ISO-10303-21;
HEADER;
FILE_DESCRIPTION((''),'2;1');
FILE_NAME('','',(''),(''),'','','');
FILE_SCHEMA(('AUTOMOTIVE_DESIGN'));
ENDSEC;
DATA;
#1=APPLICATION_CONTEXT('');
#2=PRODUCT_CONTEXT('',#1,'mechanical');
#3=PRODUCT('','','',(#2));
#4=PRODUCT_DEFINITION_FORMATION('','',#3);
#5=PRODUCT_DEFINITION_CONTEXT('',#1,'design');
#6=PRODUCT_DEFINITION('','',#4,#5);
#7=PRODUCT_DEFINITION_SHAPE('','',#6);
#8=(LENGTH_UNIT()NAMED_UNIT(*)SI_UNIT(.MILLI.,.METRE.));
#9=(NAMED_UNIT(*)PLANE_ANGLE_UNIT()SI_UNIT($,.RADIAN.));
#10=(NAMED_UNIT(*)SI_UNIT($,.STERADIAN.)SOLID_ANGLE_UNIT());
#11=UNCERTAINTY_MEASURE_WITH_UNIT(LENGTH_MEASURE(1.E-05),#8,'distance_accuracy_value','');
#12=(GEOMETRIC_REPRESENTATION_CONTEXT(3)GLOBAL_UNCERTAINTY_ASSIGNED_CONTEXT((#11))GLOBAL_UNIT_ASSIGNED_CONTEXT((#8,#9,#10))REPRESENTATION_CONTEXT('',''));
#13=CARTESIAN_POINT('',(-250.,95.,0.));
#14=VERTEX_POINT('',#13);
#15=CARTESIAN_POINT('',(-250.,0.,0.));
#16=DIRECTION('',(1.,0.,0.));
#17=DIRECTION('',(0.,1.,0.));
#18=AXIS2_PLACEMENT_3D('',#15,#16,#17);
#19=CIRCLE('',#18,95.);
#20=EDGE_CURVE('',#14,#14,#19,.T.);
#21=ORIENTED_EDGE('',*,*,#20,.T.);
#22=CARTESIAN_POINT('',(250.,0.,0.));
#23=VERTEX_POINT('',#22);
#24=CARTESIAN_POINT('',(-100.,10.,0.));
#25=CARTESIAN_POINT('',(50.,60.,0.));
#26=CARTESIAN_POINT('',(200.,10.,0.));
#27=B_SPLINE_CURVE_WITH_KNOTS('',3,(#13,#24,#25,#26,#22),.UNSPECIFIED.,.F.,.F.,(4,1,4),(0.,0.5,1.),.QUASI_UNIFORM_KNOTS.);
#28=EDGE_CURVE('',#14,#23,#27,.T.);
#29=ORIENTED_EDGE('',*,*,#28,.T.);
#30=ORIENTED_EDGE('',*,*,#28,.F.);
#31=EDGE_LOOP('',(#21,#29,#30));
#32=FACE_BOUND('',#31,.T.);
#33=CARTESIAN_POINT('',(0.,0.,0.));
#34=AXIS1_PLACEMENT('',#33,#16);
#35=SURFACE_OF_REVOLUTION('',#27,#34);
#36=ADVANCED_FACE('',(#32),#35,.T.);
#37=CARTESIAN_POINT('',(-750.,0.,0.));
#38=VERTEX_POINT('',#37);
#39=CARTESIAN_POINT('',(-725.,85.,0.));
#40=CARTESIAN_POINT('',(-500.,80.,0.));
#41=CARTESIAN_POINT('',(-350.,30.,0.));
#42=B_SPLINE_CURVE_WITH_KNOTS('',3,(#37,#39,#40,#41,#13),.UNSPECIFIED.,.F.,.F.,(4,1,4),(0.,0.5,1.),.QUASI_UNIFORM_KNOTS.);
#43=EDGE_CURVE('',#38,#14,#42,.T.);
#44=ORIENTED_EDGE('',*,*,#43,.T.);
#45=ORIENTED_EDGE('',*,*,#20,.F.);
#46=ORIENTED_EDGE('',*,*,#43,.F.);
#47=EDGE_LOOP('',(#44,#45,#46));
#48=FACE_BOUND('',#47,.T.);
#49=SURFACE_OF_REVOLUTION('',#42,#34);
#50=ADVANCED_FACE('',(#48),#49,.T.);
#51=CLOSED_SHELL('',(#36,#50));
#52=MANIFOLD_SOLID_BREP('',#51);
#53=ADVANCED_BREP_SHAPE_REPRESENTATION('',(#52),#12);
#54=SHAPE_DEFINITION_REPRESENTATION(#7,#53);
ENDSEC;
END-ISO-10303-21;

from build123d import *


with BuildPart() as part:
    # Sketch → Revolution (revolve)
    with BuildSketch(Plane.XY):
        with BuildLine():
            Line((-250, 0), (250, 0))
            add(Edge.make_bspline(
                [(-250, 95), (-100, 10), (50, 60), (200, 10), (250, 0)],
                knots=[0, 0, 0, 0, 0.5, 1, 1, 1, 1], degree=3))
            add(Edge.make_bspline(
                [(-750, 0), (-725, 85), (-500, 80), (-350, 30), (-250, 95)],
                knots=[0, 0, 0, 0, 0.5, 1, 1, 1, 1], degree=3))
            Line((-750, 0), (-250, 0))
        make_face()
    revolve(axis=Axis((0, 0, 0), (1, 0, 0)))


solid = part.part
